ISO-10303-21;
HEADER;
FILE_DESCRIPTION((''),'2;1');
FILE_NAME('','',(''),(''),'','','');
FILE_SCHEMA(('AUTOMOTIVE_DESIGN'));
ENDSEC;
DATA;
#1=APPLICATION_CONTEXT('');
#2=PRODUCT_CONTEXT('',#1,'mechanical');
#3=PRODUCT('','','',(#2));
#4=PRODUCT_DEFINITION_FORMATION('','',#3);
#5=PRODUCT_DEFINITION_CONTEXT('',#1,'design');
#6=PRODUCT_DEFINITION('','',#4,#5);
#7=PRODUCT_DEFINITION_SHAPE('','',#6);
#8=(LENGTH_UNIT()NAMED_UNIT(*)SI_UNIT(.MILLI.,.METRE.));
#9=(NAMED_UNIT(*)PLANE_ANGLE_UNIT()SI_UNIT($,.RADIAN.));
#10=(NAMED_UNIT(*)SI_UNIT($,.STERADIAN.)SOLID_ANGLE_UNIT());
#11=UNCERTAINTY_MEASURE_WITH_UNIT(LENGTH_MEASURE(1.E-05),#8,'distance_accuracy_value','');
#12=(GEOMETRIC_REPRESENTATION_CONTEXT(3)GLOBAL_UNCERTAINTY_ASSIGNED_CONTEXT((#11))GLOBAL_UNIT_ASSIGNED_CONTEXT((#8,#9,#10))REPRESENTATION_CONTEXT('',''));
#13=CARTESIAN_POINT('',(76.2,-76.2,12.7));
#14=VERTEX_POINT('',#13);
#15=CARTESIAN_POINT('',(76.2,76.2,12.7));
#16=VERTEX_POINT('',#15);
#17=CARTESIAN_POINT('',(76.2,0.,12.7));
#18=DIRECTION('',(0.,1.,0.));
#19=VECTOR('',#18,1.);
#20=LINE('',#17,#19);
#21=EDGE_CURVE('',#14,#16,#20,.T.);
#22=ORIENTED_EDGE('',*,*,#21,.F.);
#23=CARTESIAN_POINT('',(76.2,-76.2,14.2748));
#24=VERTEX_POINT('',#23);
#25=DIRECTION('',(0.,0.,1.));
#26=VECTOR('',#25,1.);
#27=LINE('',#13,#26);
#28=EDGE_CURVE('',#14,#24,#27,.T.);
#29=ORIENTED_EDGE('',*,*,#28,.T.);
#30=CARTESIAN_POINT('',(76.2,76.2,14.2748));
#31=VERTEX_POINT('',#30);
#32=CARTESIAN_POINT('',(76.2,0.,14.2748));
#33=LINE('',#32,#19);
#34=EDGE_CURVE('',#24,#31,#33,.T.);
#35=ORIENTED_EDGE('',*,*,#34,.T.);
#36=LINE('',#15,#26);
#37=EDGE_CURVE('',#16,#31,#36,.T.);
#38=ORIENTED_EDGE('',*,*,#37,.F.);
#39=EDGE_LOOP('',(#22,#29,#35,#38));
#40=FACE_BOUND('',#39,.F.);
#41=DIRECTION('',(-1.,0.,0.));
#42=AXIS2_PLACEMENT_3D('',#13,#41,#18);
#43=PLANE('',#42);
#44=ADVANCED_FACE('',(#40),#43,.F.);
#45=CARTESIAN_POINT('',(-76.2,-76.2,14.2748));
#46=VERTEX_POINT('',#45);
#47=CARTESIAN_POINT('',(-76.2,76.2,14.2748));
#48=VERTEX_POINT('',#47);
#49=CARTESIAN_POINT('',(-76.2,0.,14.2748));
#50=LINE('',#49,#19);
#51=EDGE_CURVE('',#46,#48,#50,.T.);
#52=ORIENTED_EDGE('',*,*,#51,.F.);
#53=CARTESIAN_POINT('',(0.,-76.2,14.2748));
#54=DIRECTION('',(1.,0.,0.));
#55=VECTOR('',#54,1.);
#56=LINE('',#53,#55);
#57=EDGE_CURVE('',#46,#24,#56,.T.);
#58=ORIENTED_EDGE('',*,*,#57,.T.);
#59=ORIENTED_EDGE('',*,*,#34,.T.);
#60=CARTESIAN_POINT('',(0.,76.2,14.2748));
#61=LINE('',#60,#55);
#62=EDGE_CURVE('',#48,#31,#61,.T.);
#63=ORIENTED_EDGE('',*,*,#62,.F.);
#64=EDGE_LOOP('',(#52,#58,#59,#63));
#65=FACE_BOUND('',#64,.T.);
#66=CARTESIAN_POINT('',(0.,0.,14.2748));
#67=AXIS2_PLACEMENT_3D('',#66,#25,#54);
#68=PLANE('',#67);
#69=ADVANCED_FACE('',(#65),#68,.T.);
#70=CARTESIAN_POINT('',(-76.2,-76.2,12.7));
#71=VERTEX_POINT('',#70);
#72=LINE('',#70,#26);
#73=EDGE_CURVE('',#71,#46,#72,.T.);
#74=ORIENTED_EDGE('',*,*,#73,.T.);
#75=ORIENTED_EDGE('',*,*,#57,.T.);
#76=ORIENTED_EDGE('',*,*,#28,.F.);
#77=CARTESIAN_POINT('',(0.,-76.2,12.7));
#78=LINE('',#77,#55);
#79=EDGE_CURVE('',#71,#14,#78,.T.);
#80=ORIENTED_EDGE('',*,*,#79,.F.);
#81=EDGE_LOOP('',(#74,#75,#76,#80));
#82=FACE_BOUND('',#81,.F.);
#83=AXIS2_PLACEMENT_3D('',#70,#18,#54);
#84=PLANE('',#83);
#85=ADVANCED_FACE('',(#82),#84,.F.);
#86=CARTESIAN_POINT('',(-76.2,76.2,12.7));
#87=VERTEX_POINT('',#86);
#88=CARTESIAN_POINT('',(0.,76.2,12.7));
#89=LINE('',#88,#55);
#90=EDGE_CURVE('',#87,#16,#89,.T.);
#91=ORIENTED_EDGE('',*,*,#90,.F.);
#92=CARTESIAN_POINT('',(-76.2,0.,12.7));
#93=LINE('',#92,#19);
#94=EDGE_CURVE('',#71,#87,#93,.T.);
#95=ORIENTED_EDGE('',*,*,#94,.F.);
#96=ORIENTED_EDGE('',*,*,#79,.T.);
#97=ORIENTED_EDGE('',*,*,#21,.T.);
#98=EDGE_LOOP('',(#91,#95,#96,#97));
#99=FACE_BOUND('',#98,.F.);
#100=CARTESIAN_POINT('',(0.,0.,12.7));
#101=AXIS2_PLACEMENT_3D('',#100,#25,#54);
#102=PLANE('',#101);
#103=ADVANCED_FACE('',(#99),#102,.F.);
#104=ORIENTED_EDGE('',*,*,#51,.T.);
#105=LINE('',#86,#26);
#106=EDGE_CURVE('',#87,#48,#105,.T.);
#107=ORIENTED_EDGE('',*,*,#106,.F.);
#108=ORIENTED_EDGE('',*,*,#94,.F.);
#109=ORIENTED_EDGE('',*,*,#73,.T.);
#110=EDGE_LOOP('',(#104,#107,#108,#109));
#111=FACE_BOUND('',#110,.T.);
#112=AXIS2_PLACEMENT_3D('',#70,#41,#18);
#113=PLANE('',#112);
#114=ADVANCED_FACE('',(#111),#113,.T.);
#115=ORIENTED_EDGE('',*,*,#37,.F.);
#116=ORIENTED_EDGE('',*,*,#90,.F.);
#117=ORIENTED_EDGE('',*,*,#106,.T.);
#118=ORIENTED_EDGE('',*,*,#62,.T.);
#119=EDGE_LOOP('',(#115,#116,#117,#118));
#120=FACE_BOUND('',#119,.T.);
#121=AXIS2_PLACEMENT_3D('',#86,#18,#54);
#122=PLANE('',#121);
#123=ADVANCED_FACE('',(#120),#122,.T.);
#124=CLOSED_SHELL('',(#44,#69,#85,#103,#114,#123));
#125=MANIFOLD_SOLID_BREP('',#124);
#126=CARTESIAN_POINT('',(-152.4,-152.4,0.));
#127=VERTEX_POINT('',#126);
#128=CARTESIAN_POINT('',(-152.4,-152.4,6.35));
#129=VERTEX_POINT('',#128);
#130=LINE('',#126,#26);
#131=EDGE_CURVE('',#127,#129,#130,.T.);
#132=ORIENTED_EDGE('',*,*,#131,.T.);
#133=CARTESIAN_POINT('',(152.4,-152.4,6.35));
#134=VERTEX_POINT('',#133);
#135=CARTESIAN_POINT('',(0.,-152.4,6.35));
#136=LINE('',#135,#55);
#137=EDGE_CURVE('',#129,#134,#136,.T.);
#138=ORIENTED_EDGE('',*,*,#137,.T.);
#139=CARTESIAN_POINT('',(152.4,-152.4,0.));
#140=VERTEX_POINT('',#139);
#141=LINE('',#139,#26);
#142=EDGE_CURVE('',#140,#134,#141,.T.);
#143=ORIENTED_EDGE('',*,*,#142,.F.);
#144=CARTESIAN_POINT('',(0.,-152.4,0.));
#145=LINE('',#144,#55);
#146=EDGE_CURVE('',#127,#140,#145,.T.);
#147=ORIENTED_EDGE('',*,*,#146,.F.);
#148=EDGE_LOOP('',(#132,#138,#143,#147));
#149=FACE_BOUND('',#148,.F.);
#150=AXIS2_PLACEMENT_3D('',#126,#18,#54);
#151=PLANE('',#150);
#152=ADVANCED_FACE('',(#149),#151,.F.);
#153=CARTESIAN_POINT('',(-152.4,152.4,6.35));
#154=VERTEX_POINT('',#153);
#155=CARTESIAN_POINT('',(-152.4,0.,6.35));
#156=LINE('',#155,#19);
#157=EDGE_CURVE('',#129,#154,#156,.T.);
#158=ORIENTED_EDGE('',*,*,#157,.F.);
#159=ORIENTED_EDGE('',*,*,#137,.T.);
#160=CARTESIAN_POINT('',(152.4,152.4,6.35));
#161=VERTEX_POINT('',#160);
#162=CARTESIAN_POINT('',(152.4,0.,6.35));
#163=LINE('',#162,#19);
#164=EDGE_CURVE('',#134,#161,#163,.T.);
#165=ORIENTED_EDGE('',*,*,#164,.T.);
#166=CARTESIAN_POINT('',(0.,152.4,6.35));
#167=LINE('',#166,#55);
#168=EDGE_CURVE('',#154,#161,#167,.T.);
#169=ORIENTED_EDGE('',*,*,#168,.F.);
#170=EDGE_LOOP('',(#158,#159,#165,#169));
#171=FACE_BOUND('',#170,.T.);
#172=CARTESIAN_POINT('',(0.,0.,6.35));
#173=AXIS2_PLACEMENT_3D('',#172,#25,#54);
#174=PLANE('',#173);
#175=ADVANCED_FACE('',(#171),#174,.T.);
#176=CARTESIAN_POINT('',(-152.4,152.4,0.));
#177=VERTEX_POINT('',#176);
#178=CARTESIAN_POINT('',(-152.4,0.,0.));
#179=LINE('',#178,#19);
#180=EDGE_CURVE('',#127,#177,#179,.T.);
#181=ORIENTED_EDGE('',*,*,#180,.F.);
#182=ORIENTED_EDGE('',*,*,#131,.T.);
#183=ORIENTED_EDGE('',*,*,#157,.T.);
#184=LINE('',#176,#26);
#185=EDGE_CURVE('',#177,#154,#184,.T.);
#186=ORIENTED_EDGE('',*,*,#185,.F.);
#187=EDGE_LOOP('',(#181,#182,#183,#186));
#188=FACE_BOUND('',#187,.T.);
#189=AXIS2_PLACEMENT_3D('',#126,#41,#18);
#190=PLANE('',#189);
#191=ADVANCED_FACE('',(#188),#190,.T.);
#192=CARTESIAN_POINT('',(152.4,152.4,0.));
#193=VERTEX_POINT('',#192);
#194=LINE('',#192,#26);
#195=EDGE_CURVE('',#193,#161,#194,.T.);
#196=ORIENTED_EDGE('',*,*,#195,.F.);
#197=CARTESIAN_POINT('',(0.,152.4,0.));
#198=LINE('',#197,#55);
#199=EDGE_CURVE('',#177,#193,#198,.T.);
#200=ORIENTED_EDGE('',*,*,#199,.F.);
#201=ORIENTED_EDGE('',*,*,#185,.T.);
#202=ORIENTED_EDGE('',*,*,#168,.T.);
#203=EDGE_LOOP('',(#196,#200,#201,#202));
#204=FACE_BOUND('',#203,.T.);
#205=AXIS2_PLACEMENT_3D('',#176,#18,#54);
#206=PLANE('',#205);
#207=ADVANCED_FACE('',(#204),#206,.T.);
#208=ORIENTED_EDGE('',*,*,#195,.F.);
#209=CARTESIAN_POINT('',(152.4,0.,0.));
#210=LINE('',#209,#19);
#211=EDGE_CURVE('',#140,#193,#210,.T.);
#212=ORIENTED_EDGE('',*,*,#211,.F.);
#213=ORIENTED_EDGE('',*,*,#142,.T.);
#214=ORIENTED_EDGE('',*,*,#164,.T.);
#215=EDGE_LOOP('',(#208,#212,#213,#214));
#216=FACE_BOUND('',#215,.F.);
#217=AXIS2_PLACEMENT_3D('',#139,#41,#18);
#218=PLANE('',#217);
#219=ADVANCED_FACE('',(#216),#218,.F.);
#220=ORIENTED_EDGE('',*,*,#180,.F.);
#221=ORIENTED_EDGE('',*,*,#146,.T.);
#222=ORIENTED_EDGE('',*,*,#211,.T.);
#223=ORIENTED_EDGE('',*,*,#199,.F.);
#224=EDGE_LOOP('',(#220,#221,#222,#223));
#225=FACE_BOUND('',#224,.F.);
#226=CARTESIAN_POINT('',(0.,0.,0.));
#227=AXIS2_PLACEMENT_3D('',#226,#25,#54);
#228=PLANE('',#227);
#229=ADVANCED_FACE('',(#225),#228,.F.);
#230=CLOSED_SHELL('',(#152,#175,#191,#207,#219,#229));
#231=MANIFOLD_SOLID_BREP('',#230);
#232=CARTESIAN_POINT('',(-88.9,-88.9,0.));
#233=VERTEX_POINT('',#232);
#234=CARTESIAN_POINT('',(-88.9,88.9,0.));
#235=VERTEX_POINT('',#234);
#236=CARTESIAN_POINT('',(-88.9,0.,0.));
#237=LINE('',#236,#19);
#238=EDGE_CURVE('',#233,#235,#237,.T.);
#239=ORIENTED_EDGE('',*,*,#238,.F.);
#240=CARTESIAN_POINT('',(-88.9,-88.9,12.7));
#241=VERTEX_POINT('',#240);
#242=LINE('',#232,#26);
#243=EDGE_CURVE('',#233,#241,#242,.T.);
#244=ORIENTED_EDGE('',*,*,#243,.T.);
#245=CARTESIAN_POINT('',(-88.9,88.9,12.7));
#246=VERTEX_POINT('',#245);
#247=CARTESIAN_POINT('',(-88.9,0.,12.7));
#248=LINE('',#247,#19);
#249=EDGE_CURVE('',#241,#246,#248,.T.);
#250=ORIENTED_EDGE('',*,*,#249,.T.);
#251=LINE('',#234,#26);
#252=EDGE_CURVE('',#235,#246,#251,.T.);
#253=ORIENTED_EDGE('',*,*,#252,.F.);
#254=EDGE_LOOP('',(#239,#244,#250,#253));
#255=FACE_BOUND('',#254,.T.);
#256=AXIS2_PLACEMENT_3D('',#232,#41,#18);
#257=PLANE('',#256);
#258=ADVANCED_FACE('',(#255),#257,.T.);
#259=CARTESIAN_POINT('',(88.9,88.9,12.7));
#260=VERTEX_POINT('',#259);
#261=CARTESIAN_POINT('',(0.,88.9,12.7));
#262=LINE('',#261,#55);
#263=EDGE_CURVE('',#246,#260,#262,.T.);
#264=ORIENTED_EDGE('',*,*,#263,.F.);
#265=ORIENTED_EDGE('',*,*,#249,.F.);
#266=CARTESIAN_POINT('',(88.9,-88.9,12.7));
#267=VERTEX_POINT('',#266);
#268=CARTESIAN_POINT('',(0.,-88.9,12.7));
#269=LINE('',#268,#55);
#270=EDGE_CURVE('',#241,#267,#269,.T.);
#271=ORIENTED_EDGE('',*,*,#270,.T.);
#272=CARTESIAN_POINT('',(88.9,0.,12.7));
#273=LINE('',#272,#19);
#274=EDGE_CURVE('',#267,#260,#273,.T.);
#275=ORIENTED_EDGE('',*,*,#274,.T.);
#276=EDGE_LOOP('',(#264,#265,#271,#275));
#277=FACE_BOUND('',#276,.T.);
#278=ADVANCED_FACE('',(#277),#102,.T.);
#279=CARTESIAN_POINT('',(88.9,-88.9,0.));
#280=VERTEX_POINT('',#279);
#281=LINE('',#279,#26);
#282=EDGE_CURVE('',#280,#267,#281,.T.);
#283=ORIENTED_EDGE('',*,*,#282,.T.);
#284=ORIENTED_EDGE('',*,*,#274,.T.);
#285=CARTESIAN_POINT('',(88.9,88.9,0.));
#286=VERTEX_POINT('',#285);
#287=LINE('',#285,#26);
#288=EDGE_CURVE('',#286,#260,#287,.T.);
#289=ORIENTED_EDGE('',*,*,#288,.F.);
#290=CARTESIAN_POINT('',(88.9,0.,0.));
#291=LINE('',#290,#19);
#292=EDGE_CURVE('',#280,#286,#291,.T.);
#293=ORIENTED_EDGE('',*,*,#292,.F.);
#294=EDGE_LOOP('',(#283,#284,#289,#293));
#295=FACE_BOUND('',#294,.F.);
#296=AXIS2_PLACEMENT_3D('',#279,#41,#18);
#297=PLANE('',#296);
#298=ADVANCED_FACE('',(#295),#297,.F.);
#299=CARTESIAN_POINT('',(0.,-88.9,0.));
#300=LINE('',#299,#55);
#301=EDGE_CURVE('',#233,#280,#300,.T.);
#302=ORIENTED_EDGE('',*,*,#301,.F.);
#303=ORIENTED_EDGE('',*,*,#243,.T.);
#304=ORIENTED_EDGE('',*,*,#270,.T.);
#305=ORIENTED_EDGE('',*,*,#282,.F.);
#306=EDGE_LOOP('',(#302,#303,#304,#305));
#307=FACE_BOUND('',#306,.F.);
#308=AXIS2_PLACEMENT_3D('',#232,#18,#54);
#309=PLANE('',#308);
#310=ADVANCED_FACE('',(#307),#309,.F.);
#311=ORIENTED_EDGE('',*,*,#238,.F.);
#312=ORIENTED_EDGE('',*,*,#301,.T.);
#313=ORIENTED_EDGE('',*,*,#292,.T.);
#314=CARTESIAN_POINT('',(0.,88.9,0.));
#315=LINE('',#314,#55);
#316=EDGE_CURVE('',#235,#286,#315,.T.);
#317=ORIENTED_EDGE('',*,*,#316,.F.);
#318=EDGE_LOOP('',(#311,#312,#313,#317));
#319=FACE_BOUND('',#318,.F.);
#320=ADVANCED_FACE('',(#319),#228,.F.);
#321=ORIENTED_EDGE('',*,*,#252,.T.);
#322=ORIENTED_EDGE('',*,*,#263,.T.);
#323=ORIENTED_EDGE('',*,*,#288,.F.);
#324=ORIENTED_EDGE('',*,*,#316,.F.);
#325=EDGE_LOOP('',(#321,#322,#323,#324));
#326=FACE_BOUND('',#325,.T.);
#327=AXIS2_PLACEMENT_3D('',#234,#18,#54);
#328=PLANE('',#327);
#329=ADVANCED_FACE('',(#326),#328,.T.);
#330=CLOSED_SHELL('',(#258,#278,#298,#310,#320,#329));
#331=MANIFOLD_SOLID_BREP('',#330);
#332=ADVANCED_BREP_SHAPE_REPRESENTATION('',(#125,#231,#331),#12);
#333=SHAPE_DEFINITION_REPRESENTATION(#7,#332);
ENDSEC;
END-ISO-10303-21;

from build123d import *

# Parameters (mm, degrees)
F0_W     = 304.8
F0_H     = 304.8
F1_DEPTH = 6.35
F2_W     = 177.8
F2_H     = 177.8
F3_DEPTH = 12.7
F4_W     = 152.4
F4_H     = 152.4
F5_DEPTH = 1.5748


with BuildPart() as f1:
    # F0 (on Top) → F1 (new body)
    with BuildSketch(Plane.XY):
        Rectangle(F0_W, F0_H)
    extrude(amount=F1_DEPTH)


with BuildPart() as f3:
    # F2 (on Top) → F3 (new body)
    with BuildSketch(Plane.XY):
        Rectangle(F2_W, F2_H)
    extrude(amount=F3_DEPTH)


with BuildPart() as f5:
    # F4 (on face) → F5 (new body)
    with BuildSketch(Plane.XY.offset(12.7)):
        Rectangle(F4_W, F4_H)
    extrude(amount=F5_DEPTH)


solid = Compound([f1.part, f3.part, f5.part])
